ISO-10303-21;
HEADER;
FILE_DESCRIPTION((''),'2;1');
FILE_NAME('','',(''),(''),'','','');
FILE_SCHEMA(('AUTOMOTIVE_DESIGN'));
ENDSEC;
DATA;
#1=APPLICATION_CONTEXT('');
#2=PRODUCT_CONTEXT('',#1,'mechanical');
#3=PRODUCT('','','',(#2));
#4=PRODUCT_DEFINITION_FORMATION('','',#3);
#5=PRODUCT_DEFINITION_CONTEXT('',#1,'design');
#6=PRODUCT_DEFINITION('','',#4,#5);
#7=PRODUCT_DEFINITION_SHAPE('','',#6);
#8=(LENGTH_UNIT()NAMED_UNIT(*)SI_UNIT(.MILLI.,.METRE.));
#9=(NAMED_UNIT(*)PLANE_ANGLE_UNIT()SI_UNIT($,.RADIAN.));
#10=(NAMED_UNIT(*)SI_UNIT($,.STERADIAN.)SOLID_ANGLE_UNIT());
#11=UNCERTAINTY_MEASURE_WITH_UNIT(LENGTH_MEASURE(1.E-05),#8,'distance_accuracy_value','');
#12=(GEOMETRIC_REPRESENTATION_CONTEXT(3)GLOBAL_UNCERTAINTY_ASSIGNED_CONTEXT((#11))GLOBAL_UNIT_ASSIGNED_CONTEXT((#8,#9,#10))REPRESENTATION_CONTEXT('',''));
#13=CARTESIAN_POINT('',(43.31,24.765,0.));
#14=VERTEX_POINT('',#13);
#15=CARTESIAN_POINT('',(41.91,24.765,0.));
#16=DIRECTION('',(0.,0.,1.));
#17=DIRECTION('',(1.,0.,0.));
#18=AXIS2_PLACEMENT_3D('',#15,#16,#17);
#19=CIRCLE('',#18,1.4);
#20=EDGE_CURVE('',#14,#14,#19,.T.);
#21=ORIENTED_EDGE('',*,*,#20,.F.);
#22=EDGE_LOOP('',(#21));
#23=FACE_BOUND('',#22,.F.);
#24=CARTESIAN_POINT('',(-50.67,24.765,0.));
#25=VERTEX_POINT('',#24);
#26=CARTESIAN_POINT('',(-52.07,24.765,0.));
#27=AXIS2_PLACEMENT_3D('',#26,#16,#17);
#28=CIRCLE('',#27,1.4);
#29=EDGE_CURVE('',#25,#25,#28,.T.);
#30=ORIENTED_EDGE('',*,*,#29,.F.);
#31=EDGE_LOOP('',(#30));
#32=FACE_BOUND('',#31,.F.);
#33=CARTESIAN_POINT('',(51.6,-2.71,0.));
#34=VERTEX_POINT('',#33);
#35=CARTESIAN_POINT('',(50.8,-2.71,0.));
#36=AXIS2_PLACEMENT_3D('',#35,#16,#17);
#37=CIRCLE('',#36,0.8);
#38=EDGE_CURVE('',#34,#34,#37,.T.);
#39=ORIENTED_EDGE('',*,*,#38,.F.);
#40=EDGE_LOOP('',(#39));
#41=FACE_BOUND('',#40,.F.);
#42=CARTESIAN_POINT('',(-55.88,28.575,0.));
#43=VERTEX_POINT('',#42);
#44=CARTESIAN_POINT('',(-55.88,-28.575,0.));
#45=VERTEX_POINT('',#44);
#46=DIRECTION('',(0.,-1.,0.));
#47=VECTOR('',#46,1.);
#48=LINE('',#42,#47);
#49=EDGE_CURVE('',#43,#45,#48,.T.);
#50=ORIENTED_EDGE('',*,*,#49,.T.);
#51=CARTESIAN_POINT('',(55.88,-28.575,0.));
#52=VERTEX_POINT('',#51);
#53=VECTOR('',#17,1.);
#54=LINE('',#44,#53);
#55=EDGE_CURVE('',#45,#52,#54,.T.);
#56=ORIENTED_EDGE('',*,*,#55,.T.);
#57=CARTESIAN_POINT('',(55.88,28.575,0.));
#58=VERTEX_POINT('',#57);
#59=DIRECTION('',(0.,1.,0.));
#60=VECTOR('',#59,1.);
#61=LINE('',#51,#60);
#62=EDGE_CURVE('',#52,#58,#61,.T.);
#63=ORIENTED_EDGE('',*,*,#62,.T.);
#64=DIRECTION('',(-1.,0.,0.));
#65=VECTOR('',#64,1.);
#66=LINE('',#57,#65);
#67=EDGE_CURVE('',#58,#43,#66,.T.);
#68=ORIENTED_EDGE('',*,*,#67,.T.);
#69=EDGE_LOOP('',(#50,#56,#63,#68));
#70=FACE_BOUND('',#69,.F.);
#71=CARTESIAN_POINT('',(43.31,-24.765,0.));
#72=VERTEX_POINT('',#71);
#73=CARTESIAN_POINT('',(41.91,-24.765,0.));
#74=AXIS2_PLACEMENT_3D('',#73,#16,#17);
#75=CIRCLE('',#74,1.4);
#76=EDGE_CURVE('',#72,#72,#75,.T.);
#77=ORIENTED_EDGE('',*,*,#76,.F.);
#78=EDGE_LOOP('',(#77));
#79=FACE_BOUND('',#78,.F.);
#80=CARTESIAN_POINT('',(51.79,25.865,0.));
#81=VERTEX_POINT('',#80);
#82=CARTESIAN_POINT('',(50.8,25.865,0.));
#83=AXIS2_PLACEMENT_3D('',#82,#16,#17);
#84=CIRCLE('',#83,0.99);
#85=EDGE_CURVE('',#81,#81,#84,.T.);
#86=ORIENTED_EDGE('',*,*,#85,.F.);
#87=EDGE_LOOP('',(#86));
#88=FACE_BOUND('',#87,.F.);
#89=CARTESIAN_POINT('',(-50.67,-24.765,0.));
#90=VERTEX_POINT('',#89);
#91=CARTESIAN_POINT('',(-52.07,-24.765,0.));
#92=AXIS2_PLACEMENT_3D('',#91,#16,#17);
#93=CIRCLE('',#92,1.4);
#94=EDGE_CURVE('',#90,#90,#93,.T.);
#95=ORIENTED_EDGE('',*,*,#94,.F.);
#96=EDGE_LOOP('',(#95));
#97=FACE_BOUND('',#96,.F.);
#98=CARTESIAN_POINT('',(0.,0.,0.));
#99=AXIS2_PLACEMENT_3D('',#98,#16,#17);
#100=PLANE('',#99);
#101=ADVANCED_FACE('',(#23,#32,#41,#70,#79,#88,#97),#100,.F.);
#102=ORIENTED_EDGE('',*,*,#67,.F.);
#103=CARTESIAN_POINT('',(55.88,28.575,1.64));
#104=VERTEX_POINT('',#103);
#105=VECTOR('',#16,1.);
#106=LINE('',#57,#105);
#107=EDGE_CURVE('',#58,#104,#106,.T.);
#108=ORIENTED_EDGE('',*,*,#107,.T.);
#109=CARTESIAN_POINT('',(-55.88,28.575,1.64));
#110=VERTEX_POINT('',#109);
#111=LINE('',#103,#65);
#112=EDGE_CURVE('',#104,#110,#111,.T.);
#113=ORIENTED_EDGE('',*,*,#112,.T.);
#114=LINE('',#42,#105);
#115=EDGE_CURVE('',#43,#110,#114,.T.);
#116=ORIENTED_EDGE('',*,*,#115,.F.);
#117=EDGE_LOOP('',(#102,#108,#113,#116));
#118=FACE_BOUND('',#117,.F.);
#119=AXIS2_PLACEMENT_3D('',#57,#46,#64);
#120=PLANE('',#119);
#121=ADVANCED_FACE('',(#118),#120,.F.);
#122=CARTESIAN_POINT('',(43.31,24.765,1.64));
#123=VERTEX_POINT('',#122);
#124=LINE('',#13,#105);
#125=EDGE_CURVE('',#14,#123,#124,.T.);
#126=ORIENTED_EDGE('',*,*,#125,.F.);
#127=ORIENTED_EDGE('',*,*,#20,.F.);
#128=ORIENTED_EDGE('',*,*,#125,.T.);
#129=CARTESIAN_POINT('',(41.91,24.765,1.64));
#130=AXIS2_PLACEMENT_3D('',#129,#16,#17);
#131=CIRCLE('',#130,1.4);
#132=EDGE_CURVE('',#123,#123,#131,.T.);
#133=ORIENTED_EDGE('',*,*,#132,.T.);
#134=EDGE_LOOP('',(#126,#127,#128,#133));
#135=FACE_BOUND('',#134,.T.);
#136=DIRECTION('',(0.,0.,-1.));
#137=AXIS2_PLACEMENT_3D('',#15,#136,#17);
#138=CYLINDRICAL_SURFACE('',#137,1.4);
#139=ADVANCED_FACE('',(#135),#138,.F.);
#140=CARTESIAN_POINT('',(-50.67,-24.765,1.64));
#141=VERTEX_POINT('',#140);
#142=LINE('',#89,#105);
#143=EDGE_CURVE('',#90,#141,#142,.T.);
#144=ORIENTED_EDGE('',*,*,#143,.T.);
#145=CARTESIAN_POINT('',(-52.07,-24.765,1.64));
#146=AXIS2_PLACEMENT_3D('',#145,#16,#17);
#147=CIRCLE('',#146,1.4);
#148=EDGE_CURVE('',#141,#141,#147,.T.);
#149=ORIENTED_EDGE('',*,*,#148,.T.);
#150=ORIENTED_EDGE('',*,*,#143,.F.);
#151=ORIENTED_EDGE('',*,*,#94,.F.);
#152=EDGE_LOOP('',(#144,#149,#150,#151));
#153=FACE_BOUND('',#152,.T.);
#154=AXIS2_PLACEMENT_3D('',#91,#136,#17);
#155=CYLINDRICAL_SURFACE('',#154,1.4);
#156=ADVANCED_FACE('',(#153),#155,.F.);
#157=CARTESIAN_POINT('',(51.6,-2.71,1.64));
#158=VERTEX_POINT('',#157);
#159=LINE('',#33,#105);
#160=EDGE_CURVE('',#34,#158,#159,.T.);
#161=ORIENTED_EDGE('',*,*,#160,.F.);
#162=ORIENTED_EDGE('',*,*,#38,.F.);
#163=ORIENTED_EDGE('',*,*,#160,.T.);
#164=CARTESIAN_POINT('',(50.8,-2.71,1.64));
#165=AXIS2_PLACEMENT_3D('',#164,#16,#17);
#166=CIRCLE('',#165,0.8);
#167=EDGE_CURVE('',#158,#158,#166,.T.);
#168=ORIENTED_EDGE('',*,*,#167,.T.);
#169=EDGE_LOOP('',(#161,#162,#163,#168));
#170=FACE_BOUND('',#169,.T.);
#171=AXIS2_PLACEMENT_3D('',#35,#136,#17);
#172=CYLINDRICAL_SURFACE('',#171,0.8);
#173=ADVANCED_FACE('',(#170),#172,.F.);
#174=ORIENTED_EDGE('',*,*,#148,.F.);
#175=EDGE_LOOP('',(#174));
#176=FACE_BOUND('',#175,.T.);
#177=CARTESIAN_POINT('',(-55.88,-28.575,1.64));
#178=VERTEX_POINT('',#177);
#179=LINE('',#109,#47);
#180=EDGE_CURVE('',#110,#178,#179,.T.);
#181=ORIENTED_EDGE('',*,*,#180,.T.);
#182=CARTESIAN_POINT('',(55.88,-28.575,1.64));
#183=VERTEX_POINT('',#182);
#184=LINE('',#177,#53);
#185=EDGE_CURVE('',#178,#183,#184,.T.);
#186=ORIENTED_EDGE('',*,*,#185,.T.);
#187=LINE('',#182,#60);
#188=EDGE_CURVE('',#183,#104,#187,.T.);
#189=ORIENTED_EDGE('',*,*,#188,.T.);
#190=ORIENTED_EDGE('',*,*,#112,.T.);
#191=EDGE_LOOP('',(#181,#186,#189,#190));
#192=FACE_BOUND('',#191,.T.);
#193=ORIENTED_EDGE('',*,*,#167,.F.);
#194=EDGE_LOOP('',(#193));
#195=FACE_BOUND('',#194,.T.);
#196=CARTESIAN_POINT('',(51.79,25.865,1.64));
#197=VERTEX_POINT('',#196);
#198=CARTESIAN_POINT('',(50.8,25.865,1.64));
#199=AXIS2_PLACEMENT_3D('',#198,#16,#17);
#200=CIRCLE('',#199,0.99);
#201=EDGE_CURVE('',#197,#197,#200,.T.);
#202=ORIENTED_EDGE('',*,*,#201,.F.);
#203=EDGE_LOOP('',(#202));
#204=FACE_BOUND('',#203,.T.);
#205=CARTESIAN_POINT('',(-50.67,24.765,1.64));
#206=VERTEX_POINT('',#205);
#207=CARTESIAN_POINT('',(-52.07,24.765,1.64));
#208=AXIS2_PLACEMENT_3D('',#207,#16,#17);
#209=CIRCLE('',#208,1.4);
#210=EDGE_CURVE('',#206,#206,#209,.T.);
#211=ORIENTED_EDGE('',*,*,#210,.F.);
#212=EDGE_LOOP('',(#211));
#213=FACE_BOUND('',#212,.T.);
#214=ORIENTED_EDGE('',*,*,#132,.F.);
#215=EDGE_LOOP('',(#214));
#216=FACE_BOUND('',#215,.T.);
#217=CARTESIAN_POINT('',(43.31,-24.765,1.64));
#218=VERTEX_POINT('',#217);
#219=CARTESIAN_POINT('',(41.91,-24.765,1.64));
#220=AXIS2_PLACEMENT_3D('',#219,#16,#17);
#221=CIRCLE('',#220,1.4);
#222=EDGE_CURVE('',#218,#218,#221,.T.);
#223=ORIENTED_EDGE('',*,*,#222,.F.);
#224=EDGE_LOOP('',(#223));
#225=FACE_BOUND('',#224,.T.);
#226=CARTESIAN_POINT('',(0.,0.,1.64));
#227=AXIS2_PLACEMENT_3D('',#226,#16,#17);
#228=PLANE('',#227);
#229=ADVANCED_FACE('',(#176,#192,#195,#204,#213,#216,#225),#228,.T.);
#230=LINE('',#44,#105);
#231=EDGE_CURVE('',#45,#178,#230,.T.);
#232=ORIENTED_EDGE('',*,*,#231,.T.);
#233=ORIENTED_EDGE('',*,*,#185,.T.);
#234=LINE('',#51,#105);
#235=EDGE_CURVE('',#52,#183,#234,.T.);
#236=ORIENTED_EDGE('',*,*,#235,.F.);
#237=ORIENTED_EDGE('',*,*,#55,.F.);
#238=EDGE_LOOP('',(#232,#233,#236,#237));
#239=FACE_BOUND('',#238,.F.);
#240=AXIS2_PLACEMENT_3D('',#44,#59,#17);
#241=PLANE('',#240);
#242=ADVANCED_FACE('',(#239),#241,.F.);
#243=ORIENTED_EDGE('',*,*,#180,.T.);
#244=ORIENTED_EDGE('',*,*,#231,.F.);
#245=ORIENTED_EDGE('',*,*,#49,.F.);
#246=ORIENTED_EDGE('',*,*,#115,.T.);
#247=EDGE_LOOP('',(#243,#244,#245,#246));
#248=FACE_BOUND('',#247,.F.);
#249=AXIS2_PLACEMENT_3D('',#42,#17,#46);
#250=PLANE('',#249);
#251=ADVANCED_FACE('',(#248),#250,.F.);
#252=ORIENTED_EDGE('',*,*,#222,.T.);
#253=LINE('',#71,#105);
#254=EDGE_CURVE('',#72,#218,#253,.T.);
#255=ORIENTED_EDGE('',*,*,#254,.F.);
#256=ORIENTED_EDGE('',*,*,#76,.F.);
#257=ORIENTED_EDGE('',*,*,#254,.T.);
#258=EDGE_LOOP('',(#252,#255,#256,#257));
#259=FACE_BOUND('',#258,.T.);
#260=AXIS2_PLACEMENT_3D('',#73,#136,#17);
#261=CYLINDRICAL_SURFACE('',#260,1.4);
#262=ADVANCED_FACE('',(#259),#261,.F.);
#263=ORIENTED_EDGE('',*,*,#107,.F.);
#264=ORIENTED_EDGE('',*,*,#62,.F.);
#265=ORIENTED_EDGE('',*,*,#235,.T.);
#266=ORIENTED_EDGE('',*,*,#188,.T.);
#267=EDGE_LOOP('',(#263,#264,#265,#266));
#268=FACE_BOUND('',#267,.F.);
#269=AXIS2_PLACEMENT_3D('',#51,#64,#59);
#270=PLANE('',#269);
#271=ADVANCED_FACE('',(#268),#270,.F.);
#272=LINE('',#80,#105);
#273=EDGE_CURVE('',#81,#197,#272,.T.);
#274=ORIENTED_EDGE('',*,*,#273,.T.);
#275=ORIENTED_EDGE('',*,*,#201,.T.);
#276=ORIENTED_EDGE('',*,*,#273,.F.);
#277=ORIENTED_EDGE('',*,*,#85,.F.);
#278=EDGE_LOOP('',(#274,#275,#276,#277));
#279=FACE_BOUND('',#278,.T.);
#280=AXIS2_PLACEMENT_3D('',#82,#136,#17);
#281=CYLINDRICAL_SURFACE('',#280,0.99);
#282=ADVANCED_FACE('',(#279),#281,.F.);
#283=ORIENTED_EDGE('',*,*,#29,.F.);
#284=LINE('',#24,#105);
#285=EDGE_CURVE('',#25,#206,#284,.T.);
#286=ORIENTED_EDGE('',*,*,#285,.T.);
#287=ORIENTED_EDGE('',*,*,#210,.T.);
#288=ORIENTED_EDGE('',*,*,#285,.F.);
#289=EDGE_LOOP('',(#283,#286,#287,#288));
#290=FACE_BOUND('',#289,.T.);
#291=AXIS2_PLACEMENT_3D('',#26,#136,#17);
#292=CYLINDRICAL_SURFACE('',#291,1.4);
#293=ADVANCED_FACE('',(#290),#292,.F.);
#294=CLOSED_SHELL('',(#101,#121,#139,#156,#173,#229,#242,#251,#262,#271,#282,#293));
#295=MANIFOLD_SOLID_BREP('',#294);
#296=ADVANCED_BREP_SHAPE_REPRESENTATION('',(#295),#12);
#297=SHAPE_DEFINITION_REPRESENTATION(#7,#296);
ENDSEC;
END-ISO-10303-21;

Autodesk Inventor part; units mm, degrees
ref_plane "YZ Plane" through (0, 0, 0) normal (1, 0, 0) x (0, 1, 0)
ref_plane "XZ Plane" through (0, 0, 0) normal (0, 1, 0) x (-1, 0, 0)
ref_plane "XY Plane" through (0, 0, 0) normal (0, 0, 1) x (1, 0, 0)
sketch "Sketch1" plane through (0, 0, 0) normal (0, 0, 1) x (1, 0, 0)
  line L0 (-55.88, -28.575) -> (55.88, -28.575)
  line L1 (55.88, -28.575) -> (55.88, 28.575)
  line L2 (55.88, 28.575) -> (-55.88, 28.575)
  line L3 (-55.88, 28.575) -> (-55.88, -28.575)
  line L4 (-55.88, -28.575) -> (55.88, 28.575) construction
  line L5 (55.88, -28.575) -> (-55.88, 28.575) construction
  circle A0 centre (-52.07, 24.765) radius 1.4
  line L6 (-55.88, 0) -> (55.88, 0) construction
  line L7 (0, 28.575) -> (0, -28.575) construction
  circle A1 centre (-52.07, -24.765) radius 1.4
  circle A2 centre (-31.75, 24.765) radius 1.4
  circle A3 centre (31.75, 24.765) radius 1.4
  circle A4 centre (-31.75, -24.765) radius 1.4
  circle A5 centre (31.75, -24.765) radius 1.4
  circle A6 centre (50.8, 25.865) radius 0.99
  circle A7 centre (41.91, 24.765) radius 1.4
  circle A8 centre (41.91, -24.765) radius 1.4
  circle A9 centre (50.8, -2.71) radius 0.8
  point P0 (0, 0)
  dimension "d2" = 111.76
  dimension "d4" = 57.15
  dimension "d5" = 49.53
  dimension "d6" = 2.8
  dimension "d8" = 2.8
  dimension "d10" = 49.53
  dimension "d21" = 3.81
  dimension "d22" = 3.81
  dimension "d23" = 3.81
  dimension "d28" = 3.81
  dimension "d30" = 63.5
  dimension "d35" = 1.98
  dimension "d36" = 5.08
  dimension "d37" = 2.71
  dimension "d38" = 2.8
  dimension "d39" = 3.81
  dimension "d40" = 13.97
  dimension "d41" = 63.5
  dimension "d42" = 1.6
  dimension "d43" = 5.08
  dimension "d44" = 2.71
extrude "Extrusion1" add sketch "Sketch1" along normal blind 1.64 contours L3 L2 L1 L0 | A2 | A3 | A4 | A5
sketch "Sketch3" plane through (0, 0, 1.64) normal (0, 0, 1) x (1, 0, 0)
  circle A0 centre (26.67, -24.765) radius 1.4 projected
  circle A1 centre (-26.67, -24.765) radius 1.4 projected
  line L0 (55.88, 28.575) -> (-55.88, 28.575) projected
  line L1 (-21.67, -25.765) -> (21.67, -25.765)
  line L2 (21.67, -25.765) -> (21.67, 30.575)
  line L3 (21.67, 30.575) -> (-21.67, 30.575)
  line L4 (-21.67, 30.575) -> (-21.67, -25.765)
  line L5 (55.88, -28.575) -> (55.88, 28.575) projected
  line L6 (-55.88, 28.575) -> (-55.88, -28.575) projected
  point P0 (0, 0)
  dimension "d15" = 2
  dimension "d16" = 5
  dimension "d17" = 5
  dimension "d18" = 1
  dimension "d33" = 34.21
  dimension "d34" = 34.21
extrude "Extrusion3" [suppressed]
properties part number "BetaBoard01" material "PCB(1)"
